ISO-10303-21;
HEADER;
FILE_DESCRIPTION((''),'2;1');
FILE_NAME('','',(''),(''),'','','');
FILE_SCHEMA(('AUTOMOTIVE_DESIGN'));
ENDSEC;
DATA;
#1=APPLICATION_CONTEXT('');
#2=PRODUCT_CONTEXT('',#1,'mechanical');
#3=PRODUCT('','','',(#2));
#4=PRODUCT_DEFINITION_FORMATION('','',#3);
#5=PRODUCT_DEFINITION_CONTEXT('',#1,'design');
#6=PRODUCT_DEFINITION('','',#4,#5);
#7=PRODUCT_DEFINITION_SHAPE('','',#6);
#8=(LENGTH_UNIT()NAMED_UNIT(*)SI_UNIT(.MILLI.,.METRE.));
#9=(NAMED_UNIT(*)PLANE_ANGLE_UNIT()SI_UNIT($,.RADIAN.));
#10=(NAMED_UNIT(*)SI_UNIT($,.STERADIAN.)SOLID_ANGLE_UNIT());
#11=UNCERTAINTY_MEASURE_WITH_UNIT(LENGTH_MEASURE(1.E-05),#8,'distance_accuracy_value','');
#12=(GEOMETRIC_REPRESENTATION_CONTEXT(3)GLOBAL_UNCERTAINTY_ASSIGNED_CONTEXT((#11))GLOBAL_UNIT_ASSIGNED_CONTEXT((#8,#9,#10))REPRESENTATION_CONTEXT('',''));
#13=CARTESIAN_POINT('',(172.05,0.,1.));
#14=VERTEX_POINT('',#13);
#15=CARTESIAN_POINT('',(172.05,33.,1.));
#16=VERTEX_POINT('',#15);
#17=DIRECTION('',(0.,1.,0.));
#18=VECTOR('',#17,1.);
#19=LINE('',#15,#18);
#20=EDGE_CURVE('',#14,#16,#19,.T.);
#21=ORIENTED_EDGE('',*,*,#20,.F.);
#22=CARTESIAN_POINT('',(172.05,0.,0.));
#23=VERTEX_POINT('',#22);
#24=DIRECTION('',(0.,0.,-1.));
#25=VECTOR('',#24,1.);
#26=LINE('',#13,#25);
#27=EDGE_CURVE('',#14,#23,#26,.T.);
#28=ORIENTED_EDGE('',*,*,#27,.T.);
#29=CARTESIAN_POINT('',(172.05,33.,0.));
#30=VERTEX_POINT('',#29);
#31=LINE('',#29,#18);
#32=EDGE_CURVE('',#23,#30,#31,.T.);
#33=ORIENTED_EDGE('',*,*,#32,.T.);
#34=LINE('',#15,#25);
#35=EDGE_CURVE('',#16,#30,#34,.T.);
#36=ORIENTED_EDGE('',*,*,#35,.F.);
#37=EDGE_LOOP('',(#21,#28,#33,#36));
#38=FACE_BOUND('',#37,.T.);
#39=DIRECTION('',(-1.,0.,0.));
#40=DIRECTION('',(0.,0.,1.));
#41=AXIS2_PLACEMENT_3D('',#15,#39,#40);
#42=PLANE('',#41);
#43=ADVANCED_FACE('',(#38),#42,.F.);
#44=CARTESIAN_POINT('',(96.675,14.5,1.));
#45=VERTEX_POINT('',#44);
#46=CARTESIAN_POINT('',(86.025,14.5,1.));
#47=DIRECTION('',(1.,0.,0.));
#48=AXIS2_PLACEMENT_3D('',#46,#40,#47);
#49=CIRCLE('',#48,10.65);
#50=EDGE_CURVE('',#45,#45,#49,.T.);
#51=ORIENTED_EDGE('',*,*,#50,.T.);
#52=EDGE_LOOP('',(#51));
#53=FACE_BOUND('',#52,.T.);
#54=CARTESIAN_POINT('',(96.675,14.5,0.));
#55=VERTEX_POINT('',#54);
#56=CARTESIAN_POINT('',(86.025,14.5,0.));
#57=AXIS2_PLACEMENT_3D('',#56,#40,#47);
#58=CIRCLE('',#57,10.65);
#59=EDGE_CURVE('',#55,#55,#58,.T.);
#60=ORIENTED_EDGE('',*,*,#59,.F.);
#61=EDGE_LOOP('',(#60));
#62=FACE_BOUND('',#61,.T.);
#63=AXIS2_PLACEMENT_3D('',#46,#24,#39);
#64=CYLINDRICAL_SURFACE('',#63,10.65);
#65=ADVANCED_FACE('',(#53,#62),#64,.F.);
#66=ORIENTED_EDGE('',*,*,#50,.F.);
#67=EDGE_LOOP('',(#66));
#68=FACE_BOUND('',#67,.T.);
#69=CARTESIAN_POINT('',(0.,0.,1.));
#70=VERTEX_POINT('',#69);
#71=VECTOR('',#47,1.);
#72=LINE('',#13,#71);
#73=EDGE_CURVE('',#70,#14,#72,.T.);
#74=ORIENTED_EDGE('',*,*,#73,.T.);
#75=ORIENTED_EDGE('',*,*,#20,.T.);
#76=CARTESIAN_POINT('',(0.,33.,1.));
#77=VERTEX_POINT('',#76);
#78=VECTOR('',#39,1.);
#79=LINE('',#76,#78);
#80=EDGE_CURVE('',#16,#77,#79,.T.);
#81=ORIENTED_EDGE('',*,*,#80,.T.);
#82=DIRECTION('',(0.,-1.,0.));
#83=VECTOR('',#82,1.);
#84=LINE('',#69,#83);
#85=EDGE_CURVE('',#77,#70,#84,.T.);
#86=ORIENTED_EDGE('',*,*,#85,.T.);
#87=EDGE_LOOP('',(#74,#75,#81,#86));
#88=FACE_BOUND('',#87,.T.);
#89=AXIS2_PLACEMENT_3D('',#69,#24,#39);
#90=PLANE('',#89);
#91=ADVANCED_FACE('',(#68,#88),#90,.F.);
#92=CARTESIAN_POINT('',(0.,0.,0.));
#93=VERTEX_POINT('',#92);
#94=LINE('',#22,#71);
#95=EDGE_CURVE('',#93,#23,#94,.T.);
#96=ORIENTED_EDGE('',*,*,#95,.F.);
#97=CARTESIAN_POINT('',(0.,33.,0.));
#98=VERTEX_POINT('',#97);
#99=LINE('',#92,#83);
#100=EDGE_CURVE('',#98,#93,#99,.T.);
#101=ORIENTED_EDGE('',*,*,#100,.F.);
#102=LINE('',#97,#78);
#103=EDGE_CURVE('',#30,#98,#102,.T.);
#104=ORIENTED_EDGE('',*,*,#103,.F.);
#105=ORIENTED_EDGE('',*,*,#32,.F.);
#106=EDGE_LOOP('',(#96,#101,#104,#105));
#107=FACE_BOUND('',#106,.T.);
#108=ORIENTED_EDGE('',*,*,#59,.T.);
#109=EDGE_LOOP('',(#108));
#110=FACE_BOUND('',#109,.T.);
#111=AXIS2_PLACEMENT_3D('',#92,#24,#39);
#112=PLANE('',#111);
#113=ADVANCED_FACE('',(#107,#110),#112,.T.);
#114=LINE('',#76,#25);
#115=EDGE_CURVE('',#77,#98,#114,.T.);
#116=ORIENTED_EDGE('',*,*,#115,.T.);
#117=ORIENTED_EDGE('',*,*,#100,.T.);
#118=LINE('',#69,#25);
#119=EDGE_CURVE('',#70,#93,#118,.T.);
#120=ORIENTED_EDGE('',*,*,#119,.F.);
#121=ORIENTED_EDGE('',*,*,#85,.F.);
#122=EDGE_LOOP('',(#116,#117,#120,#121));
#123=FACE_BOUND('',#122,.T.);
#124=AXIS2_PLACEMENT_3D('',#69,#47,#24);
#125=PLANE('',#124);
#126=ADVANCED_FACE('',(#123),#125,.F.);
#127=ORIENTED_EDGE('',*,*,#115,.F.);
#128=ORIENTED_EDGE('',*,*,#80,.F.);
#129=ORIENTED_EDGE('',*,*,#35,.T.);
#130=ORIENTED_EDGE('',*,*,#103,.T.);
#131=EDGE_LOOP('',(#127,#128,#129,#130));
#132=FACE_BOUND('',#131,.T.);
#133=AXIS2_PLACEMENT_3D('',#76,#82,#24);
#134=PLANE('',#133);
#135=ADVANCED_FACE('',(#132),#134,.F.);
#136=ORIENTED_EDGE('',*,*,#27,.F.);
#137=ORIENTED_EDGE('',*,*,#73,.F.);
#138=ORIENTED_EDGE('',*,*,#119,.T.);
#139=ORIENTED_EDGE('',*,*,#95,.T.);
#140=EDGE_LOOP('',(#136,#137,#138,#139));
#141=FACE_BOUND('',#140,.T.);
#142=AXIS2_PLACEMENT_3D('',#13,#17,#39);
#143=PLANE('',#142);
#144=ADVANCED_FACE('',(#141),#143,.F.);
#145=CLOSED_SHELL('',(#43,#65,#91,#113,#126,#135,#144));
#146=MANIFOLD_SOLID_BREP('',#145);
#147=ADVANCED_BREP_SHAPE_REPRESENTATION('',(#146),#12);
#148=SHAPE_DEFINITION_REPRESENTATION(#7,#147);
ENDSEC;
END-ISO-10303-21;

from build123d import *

# Parameters (mm, degrees)
SKETCH1_W           = 172.05
SKETCH1_H           = 33
SKETCH1_R           = 10.65
BOSS_EXTRUDE1_DEPTH = 1


with BuildPart() as part:
    # Sketch1 → Boss-Extrude1 (new body)
    with BuildSketch(Plane.XY):
        with Locations((86.025, 16.5)):
            Rectangle(SKETCH1_W, SKETCH1_H)
        with Locations((86.025, 14.5)):
            Circle(SKETCH1_R, mode=Mode.SUBTRACT)
    extrude(amount=BOSS_EXTRUDE1_DEPTH)


solid = part.part
